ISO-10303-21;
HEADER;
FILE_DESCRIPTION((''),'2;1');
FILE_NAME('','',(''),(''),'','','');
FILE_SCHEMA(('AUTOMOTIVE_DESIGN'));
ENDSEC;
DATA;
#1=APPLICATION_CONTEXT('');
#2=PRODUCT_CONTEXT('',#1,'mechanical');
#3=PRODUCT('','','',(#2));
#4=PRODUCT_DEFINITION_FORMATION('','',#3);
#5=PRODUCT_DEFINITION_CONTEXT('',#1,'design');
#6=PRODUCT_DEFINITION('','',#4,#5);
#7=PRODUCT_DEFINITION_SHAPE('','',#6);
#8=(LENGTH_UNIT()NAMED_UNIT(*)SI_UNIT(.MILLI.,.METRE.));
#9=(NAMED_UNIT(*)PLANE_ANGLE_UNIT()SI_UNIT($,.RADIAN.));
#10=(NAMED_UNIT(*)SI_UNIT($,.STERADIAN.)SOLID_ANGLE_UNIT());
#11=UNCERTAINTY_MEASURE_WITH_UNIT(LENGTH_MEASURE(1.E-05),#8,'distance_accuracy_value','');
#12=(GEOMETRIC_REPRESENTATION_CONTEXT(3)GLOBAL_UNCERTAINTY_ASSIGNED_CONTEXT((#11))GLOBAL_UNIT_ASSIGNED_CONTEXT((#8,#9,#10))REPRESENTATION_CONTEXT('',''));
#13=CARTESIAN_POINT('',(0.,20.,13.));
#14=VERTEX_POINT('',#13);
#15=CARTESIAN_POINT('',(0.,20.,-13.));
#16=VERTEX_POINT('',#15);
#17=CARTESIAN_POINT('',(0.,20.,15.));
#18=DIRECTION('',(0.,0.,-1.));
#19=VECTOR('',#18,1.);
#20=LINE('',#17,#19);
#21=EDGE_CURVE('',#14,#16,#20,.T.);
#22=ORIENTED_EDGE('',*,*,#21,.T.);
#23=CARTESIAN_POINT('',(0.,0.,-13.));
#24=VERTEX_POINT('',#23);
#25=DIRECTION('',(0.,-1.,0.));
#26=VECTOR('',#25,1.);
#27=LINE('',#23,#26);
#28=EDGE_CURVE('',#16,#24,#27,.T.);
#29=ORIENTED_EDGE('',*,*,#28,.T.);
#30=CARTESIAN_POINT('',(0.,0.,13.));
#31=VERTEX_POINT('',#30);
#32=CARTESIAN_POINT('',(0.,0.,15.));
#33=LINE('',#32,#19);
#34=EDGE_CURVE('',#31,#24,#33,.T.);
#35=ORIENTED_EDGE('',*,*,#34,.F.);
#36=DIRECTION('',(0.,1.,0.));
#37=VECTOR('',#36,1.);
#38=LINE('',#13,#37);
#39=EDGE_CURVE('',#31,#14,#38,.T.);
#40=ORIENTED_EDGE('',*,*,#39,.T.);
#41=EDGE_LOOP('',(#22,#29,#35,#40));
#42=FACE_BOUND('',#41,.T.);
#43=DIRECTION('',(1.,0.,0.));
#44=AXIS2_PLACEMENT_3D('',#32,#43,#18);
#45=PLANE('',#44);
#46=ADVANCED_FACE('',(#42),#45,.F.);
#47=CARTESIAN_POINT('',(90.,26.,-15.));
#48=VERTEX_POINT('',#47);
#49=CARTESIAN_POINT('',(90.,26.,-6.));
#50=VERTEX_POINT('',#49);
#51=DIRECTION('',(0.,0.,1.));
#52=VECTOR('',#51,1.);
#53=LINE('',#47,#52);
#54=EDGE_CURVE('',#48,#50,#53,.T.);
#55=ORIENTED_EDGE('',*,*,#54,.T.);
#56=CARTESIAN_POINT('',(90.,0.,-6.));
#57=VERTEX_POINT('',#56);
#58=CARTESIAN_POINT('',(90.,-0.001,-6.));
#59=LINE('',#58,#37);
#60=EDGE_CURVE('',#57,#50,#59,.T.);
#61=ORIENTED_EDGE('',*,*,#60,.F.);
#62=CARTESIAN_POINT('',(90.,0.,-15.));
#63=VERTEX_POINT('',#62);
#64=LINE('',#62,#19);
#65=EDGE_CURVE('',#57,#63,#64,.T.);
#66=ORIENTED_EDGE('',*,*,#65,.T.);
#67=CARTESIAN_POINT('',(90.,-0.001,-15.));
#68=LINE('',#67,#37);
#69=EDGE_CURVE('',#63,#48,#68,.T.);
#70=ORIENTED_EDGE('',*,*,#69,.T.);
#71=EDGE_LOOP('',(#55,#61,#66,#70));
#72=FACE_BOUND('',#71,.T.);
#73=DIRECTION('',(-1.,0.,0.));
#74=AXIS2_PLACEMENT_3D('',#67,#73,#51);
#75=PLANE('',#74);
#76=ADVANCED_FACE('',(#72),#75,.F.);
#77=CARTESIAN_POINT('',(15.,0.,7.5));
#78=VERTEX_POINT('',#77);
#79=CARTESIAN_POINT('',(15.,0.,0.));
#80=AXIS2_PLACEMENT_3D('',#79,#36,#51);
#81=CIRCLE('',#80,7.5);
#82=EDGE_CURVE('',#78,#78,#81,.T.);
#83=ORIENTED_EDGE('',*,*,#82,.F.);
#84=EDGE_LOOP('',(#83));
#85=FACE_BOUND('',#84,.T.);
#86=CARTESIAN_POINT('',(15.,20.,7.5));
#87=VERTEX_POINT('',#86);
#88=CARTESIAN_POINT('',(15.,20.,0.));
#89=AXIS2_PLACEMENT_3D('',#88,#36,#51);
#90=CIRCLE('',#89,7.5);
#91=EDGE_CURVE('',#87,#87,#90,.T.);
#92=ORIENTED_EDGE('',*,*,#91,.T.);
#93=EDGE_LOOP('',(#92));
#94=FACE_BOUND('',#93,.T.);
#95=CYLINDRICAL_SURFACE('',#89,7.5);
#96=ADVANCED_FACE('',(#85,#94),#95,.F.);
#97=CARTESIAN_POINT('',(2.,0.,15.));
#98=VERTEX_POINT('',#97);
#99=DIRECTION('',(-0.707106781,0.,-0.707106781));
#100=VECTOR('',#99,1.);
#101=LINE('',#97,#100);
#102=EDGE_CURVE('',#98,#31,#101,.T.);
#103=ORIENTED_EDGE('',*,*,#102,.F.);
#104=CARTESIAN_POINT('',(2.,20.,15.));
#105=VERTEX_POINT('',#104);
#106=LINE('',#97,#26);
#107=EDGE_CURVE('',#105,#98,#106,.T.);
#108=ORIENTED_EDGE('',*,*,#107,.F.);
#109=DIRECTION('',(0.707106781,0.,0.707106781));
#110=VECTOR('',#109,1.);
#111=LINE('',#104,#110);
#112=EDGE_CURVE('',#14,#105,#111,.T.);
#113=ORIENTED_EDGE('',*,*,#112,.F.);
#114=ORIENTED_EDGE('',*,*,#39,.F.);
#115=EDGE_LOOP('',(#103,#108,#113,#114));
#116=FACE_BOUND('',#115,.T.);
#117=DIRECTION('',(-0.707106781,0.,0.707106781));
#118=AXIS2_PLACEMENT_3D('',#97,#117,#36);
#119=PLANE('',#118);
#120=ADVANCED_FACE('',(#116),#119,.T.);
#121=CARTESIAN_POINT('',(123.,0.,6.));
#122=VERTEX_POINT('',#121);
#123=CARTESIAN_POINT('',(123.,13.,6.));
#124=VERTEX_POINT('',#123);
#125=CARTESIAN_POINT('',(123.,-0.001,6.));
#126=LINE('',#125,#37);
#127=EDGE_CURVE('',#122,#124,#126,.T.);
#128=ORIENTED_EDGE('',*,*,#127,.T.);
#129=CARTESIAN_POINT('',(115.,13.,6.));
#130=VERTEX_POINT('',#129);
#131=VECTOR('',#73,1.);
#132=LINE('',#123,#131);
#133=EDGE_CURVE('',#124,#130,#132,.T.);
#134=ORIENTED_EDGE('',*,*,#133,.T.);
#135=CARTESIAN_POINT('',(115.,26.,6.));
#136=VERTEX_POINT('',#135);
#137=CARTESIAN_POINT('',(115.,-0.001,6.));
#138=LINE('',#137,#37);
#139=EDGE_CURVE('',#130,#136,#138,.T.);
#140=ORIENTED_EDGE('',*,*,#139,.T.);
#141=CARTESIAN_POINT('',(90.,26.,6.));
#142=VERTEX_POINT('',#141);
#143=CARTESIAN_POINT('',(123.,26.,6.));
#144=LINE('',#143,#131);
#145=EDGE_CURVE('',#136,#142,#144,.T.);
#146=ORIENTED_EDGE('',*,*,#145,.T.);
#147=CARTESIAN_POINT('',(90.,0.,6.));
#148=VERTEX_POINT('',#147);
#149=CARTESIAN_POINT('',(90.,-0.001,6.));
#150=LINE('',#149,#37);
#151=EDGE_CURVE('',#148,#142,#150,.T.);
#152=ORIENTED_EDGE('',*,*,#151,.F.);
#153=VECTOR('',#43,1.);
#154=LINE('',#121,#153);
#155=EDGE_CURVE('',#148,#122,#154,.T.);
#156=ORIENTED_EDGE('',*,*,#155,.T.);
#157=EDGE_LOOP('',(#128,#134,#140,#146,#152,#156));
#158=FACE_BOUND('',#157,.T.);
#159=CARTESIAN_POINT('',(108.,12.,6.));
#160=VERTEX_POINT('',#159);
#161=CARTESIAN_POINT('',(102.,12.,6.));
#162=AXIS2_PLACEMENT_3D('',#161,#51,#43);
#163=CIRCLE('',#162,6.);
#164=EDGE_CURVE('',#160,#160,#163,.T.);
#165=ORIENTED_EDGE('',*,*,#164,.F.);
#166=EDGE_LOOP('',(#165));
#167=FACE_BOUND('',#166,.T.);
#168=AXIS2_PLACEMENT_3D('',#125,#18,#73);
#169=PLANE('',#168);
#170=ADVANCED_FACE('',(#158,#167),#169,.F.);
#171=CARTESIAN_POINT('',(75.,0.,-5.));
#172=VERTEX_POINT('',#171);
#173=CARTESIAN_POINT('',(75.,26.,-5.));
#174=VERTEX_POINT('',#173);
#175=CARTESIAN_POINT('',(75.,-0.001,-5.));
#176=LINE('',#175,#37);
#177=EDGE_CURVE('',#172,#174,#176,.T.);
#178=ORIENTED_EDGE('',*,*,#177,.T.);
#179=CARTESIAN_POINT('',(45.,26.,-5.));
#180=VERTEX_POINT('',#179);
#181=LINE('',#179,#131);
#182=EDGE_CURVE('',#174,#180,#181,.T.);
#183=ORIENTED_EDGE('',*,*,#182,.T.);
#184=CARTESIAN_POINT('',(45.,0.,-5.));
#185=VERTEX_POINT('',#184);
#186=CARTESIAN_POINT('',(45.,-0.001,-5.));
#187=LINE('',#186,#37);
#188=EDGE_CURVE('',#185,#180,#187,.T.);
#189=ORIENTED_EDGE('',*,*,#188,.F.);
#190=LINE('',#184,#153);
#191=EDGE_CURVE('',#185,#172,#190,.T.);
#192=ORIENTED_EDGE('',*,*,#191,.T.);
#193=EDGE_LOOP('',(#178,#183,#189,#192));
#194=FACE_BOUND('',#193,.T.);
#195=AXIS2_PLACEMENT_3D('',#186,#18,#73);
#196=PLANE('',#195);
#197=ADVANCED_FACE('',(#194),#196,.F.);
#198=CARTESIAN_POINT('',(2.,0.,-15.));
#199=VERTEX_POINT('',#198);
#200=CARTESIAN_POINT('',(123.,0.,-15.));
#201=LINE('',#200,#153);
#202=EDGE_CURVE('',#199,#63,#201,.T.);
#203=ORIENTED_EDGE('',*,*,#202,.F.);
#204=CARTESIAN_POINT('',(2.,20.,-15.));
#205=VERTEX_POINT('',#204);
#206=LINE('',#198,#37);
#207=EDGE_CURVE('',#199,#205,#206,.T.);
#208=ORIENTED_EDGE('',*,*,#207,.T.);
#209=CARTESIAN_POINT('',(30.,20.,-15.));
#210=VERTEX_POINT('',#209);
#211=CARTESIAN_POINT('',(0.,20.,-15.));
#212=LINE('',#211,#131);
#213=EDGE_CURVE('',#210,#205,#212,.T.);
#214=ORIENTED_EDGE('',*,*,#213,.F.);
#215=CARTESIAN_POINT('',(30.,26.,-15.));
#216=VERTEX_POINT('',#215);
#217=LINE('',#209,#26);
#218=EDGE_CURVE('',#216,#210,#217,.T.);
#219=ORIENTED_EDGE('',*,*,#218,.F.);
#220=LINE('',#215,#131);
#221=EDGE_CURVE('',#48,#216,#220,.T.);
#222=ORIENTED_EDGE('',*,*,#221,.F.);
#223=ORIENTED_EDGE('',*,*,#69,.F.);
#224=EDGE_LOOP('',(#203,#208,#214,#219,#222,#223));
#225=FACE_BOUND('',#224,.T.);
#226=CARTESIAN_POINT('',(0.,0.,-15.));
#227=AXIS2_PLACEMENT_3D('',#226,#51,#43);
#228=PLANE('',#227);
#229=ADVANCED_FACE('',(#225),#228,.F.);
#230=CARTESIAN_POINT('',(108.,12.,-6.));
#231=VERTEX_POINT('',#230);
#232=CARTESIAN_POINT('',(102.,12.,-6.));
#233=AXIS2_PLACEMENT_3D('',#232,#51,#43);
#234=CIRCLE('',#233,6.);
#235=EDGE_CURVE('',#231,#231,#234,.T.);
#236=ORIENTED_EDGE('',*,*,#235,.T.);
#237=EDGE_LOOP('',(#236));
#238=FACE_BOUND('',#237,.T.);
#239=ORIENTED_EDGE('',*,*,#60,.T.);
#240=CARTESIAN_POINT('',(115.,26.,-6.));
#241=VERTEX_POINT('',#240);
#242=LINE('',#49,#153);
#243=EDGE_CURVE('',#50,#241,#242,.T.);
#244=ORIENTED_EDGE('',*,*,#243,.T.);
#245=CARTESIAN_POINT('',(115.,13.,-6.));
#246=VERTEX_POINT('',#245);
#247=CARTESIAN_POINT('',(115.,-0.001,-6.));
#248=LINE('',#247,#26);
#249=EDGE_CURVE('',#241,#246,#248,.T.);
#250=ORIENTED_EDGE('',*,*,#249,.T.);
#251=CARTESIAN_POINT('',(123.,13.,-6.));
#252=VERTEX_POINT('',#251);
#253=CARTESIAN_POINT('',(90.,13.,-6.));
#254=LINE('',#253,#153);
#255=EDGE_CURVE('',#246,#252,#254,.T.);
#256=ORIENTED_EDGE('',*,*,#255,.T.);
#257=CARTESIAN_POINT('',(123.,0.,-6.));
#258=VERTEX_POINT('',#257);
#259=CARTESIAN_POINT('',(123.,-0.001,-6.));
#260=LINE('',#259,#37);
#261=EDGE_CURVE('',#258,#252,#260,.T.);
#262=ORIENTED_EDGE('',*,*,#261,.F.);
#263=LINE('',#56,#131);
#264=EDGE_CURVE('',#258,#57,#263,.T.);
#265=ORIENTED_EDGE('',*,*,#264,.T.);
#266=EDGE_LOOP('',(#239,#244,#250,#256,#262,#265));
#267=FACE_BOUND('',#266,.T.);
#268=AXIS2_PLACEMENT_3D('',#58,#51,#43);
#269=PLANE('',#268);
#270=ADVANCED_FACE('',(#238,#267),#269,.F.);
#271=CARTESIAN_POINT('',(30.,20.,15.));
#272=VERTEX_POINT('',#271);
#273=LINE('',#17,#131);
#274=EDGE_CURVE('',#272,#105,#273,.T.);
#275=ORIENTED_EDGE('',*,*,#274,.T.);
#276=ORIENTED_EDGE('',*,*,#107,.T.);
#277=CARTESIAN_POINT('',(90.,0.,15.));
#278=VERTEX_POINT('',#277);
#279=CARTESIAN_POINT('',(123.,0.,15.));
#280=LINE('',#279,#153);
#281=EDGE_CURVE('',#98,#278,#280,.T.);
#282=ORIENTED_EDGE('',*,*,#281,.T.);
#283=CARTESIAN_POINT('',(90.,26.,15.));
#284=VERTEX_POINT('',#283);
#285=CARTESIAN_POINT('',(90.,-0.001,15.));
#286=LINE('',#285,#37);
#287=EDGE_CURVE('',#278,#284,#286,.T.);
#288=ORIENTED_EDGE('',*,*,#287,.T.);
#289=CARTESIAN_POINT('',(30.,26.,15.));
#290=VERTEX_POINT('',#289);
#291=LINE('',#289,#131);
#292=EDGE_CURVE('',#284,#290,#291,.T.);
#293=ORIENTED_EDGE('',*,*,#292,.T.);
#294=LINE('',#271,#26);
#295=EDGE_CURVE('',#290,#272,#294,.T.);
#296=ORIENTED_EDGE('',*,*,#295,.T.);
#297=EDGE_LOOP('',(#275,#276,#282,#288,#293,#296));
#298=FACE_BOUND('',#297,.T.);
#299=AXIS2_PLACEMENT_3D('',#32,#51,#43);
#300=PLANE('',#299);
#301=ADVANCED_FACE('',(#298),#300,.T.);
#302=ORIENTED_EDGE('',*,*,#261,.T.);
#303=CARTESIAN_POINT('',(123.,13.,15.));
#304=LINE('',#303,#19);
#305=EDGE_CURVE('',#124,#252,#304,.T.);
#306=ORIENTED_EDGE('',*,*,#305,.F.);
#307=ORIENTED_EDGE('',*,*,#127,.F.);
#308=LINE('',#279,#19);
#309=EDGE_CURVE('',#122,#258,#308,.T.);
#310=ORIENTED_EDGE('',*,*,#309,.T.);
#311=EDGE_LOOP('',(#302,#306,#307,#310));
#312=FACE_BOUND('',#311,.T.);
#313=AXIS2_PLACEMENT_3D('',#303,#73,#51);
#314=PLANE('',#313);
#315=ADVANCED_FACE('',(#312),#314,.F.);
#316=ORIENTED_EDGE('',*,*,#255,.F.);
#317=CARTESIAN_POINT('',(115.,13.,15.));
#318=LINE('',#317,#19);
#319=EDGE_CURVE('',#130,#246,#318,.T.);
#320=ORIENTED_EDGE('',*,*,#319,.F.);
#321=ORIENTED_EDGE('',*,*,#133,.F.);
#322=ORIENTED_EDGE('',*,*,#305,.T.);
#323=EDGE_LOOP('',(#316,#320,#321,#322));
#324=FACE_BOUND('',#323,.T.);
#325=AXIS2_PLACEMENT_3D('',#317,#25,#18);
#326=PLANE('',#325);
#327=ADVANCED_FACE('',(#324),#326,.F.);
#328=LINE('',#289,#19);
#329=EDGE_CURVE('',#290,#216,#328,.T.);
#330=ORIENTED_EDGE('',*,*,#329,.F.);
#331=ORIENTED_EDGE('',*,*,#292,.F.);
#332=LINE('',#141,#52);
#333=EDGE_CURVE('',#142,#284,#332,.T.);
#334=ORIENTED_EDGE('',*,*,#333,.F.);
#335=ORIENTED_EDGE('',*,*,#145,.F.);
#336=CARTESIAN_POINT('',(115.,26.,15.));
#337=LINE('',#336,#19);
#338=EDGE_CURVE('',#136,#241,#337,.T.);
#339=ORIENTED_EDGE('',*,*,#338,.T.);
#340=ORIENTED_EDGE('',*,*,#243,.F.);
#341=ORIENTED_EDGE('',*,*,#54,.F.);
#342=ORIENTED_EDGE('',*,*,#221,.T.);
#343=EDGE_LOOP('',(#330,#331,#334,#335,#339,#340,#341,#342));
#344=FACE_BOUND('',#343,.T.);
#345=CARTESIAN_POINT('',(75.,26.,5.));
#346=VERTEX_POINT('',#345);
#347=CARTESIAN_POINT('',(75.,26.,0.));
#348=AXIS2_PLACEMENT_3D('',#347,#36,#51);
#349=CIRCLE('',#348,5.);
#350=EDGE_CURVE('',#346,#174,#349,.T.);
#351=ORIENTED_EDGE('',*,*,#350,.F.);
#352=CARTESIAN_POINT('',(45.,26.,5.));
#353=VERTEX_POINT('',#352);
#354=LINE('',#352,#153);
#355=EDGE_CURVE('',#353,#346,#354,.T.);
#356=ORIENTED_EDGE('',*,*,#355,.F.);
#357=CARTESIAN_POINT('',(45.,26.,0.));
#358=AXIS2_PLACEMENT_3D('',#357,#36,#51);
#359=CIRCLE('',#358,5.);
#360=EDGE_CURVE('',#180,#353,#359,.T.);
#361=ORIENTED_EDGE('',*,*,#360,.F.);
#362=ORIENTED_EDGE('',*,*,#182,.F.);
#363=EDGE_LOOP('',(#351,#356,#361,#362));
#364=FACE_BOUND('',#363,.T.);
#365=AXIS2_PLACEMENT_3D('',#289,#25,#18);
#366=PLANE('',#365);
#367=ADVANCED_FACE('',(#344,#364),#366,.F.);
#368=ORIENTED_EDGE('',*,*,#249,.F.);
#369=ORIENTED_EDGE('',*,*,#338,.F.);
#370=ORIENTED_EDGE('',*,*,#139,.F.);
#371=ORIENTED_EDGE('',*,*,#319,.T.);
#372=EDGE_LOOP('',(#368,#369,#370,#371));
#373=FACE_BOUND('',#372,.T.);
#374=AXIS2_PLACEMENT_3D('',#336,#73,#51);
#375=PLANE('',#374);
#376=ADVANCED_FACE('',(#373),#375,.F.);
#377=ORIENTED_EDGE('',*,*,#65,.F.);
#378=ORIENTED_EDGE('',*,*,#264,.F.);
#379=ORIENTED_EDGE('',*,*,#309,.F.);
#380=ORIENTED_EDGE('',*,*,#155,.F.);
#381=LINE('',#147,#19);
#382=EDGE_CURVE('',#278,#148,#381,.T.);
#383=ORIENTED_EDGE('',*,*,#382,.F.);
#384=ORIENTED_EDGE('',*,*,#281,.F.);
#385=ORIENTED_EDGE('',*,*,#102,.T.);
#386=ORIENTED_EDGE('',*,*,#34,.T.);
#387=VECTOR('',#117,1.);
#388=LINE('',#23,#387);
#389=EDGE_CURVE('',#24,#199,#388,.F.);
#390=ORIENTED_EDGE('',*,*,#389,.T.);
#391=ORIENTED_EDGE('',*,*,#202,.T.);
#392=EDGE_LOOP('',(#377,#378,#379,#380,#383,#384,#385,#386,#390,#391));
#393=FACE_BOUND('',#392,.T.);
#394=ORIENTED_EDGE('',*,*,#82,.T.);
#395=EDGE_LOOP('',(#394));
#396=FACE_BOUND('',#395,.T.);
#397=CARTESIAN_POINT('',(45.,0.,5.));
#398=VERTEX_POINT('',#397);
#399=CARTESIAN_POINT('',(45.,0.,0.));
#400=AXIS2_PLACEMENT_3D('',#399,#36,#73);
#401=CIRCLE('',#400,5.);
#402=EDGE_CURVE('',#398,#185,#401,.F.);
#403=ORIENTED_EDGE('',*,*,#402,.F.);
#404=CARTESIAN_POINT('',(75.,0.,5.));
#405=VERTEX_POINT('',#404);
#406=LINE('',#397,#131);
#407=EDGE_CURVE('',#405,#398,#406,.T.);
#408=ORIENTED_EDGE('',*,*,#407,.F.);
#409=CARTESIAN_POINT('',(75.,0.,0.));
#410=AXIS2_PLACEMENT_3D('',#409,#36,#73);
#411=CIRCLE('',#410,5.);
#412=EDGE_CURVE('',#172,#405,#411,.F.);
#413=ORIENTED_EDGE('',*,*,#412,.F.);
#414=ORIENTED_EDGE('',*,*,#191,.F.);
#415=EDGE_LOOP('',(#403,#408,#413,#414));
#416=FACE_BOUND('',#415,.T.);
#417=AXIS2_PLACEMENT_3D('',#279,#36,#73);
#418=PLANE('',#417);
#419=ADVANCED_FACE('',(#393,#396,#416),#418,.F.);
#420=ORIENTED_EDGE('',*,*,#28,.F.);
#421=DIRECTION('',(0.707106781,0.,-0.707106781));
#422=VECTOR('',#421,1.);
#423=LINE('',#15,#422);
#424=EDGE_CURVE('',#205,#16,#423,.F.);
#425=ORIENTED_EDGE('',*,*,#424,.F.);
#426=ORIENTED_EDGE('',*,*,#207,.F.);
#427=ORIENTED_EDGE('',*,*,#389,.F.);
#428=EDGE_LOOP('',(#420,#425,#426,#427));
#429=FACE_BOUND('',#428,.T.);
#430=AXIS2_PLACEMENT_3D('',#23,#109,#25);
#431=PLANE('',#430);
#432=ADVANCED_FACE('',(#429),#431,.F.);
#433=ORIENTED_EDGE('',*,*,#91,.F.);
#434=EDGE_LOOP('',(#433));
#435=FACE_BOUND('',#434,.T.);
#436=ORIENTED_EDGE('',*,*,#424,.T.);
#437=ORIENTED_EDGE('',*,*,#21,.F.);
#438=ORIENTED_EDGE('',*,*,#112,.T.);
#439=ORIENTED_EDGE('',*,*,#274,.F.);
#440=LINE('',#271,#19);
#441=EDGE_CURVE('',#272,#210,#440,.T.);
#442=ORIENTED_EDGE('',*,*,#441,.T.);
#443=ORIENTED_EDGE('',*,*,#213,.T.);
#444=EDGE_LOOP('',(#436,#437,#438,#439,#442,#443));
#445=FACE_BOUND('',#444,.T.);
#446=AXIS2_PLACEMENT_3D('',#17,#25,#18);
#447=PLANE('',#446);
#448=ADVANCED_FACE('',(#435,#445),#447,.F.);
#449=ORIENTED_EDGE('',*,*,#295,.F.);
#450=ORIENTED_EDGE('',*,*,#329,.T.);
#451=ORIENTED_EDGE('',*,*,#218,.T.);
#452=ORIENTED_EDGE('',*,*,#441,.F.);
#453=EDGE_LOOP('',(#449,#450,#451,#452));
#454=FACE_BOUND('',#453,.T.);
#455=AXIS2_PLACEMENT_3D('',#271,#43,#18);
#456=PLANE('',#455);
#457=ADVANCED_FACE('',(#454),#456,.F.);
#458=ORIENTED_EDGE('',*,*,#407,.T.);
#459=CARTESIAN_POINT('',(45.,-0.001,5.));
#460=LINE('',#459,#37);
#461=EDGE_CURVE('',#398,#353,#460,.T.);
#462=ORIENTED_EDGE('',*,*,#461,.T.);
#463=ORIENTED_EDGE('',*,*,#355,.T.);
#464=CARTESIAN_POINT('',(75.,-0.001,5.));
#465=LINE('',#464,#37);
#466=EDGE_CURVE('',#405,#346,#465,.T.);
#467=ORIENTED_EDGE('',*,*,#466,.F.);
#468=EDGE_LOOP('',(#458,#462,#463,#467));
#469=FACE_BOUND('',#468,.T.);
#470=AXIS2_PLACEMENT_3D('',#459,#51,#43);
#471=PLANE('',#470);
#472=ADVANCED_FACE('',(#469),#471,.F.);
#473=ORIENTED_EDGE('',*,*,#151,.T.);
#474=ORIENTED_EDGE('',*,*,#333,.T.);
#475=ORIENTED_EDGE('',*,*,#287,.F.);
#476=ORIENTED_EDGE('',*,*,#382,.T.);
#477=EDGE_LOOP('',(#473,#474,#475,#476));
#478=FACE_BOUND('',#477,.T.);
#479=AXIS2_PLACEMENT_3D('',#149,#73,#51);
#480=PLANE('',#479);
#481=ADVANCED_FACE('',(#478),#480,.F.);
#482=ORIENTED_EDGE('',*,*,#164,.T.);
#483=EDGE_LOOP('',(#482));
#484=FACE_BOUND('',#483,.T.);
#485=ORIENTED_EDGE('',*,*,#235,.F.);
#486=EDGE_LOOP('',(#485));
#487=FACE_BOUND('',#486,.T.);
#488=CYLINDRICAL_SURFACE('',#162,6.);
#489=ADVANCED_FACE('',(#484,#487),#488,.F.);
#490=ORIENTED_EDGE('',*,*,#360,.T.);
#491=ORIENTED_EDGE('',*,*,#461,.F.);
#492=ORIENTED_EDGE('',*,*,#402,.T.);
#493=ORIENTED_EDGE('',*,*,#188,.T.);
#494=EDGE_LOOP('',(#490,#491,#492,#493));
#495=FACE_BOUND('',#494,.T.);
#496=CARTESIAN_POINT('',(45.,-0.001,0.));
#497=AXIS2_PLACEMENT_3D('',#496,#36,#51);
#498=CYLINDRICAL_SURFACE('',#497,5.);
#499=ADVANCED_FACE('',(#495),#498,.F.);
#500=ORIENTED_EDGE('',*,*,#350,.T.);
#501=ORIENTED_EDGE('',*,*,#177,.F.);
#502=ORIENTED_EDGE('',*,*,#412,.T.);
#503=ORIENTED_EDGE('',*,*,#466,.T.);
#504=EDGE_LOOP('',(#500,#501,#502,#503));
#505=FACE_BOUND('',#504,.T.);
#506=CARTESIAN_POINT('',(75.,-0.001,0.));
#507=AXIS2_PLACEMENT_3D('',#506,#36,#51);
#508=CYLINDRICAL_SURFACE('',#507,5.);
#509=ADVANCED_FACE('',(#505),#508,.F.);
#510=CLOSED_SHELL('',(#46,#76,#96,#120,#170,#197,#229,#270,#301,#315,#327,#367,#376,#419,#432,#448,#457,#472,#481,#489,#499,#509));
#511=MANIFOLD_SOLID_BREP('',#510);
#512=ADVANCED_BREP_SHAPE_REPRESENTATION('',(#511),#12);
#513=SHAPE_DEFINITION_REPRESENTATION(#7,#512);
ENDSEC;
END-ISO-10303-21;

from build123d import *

# Parameters (mm, degrees)
ESTRUSIONE_ESTRUSIONE1_DEPTH = 15
TAGLIO_ESTRUSIONE1_REACH     = 128.61
SCHIZZO5_W                   = 33
SCHIZZO5_H                   = 9
TAGLIO_ESTRUSIONE2_REACH     = 128.61
FORO_15_0_15_2_D             = 15
FORO_12_0_12_2_D             = 12
SMUSSO1_SIZE                 = 2


with BuildPart() as part:
    # Schizzo1 → Estrusione-Estrusione1 (new, symmetric)
    with BuildSketch(Plane.XY):
        Polygon((0, 0), (0, 20), (30, 20), (30, 26), (115, 26), (115, 13), (123, 13), (123, 0), align=None)
    extrude(amount=ESTRUSIONE_ESTRUSIONE1_DEPTH, both=True)

    # Schizzo5 → Taglio-Estrusione1 (cut, up to next)
    with BuildSketch(Plane(origin=(0, 26, 0), x_dir=(1, 0, 0), z_dir=(0, 1, 0)), mode=Mode.PRIVATE) as taglio_estrusione1_sk1:
        with Locations((106.5, 10.5)):
            Rectangle(SCHIZZO5_W, SCHIZZO5_H)
    taglio_estrusione1_tool1 = extrude(taglio_estrusione1_sk1.sketch, amount=-TAGLIO_ESTRUSIONE1_REACH, mode=Mode.PRIVATE) & part.part
    # Schizzo5 → Taglio-Estrusione1 (cut, up to next)
    with BuildSketch(Plane(origin=(0, 26, 0), x_dir=(1, 0, 0), z_dir=(0, 1, 0)), mode=Mode.PRIVATE) as taglio_estrusione1_sk2:
        with Locations((106.5, -10.5)):
            Rectangle(SCHIZZO5_W, SCHIZZO5_H)
    taglio_estrusione1_tool2 = extrude(taglio_estrusione1_sk2.sketch, amount=-TAGLIO_ESTRUSIONE1_REACH, mode=Mode.PRIVATE) & part.part
    add(taglio_estrusione1_tool1.solids().sort_by_distance((106.5, 26, -10.5))[0], mode=Mode.SUBTRACT)
    add(taglio_estrusione1_tool2.solids().sort_by_distance((106.5, 26, 10.5))[0], mode=Mode.SUBTRACT)

    # Schizzo6 → Taglio-Estrusione2 (cut, up to next)
    with BuildSketch(Plane(origin=(0, 26, 0), x_dir=(1, 0, 0), z_dir=(0, 1, 0)), mode=Mode.PRIVATE) as taglio_estrusione2_sk1:
        with BuildLine():
            Line((45, 5), (75, 5))
            ThreePointArc((75, 5), (80, 0), (75, -5))
            Line((75, -5), (45, -5))
            ThreePointArc((45, -5), (40, 0), (45, 5))
        make_face()
    taglio_estrusione2_tool1 = extrude(taglio_estrusione2_sk1.sketch, amount=-TAGLIO_ESTRUSIONE2_REACH, mode=Mode.PRIVATE) & part.part
    add(taglio_estrusione2_tool1.solids().sort_by_distance((60, 26, 0))[0], mode=Mode.SUBTRACT)

    # Foro Ø15.0 (15)-2 (through all)
    with Locations(Plane(origin=(15, 20, 0), x_dir=(0, 0, 1), z_dir=(0, 1, 0))):
        with Locations((0, 0)):
            Hole(FORO_15_0_15_2_D / 2)

    # Foro Ø12.0 (12)-2 (through all)
    with Locations(Plane(origin=(102, 12, 6), x_dir=(1, 0, 0), z_dir=(0, 0, 1))):
        with Locations((0, 0)):
            Hole(FORO_12_0_12_2_D / 2)

    # Smusso1
    smusso1_edges = [part.edges().sort_by_distance(p)[0] for p in [
        (0, 10, -15),
        (0, 10, 15),
    ]]
    chamfer(smusso1_edges, length=SMUSSO1_SIZE)


solid = part.part
